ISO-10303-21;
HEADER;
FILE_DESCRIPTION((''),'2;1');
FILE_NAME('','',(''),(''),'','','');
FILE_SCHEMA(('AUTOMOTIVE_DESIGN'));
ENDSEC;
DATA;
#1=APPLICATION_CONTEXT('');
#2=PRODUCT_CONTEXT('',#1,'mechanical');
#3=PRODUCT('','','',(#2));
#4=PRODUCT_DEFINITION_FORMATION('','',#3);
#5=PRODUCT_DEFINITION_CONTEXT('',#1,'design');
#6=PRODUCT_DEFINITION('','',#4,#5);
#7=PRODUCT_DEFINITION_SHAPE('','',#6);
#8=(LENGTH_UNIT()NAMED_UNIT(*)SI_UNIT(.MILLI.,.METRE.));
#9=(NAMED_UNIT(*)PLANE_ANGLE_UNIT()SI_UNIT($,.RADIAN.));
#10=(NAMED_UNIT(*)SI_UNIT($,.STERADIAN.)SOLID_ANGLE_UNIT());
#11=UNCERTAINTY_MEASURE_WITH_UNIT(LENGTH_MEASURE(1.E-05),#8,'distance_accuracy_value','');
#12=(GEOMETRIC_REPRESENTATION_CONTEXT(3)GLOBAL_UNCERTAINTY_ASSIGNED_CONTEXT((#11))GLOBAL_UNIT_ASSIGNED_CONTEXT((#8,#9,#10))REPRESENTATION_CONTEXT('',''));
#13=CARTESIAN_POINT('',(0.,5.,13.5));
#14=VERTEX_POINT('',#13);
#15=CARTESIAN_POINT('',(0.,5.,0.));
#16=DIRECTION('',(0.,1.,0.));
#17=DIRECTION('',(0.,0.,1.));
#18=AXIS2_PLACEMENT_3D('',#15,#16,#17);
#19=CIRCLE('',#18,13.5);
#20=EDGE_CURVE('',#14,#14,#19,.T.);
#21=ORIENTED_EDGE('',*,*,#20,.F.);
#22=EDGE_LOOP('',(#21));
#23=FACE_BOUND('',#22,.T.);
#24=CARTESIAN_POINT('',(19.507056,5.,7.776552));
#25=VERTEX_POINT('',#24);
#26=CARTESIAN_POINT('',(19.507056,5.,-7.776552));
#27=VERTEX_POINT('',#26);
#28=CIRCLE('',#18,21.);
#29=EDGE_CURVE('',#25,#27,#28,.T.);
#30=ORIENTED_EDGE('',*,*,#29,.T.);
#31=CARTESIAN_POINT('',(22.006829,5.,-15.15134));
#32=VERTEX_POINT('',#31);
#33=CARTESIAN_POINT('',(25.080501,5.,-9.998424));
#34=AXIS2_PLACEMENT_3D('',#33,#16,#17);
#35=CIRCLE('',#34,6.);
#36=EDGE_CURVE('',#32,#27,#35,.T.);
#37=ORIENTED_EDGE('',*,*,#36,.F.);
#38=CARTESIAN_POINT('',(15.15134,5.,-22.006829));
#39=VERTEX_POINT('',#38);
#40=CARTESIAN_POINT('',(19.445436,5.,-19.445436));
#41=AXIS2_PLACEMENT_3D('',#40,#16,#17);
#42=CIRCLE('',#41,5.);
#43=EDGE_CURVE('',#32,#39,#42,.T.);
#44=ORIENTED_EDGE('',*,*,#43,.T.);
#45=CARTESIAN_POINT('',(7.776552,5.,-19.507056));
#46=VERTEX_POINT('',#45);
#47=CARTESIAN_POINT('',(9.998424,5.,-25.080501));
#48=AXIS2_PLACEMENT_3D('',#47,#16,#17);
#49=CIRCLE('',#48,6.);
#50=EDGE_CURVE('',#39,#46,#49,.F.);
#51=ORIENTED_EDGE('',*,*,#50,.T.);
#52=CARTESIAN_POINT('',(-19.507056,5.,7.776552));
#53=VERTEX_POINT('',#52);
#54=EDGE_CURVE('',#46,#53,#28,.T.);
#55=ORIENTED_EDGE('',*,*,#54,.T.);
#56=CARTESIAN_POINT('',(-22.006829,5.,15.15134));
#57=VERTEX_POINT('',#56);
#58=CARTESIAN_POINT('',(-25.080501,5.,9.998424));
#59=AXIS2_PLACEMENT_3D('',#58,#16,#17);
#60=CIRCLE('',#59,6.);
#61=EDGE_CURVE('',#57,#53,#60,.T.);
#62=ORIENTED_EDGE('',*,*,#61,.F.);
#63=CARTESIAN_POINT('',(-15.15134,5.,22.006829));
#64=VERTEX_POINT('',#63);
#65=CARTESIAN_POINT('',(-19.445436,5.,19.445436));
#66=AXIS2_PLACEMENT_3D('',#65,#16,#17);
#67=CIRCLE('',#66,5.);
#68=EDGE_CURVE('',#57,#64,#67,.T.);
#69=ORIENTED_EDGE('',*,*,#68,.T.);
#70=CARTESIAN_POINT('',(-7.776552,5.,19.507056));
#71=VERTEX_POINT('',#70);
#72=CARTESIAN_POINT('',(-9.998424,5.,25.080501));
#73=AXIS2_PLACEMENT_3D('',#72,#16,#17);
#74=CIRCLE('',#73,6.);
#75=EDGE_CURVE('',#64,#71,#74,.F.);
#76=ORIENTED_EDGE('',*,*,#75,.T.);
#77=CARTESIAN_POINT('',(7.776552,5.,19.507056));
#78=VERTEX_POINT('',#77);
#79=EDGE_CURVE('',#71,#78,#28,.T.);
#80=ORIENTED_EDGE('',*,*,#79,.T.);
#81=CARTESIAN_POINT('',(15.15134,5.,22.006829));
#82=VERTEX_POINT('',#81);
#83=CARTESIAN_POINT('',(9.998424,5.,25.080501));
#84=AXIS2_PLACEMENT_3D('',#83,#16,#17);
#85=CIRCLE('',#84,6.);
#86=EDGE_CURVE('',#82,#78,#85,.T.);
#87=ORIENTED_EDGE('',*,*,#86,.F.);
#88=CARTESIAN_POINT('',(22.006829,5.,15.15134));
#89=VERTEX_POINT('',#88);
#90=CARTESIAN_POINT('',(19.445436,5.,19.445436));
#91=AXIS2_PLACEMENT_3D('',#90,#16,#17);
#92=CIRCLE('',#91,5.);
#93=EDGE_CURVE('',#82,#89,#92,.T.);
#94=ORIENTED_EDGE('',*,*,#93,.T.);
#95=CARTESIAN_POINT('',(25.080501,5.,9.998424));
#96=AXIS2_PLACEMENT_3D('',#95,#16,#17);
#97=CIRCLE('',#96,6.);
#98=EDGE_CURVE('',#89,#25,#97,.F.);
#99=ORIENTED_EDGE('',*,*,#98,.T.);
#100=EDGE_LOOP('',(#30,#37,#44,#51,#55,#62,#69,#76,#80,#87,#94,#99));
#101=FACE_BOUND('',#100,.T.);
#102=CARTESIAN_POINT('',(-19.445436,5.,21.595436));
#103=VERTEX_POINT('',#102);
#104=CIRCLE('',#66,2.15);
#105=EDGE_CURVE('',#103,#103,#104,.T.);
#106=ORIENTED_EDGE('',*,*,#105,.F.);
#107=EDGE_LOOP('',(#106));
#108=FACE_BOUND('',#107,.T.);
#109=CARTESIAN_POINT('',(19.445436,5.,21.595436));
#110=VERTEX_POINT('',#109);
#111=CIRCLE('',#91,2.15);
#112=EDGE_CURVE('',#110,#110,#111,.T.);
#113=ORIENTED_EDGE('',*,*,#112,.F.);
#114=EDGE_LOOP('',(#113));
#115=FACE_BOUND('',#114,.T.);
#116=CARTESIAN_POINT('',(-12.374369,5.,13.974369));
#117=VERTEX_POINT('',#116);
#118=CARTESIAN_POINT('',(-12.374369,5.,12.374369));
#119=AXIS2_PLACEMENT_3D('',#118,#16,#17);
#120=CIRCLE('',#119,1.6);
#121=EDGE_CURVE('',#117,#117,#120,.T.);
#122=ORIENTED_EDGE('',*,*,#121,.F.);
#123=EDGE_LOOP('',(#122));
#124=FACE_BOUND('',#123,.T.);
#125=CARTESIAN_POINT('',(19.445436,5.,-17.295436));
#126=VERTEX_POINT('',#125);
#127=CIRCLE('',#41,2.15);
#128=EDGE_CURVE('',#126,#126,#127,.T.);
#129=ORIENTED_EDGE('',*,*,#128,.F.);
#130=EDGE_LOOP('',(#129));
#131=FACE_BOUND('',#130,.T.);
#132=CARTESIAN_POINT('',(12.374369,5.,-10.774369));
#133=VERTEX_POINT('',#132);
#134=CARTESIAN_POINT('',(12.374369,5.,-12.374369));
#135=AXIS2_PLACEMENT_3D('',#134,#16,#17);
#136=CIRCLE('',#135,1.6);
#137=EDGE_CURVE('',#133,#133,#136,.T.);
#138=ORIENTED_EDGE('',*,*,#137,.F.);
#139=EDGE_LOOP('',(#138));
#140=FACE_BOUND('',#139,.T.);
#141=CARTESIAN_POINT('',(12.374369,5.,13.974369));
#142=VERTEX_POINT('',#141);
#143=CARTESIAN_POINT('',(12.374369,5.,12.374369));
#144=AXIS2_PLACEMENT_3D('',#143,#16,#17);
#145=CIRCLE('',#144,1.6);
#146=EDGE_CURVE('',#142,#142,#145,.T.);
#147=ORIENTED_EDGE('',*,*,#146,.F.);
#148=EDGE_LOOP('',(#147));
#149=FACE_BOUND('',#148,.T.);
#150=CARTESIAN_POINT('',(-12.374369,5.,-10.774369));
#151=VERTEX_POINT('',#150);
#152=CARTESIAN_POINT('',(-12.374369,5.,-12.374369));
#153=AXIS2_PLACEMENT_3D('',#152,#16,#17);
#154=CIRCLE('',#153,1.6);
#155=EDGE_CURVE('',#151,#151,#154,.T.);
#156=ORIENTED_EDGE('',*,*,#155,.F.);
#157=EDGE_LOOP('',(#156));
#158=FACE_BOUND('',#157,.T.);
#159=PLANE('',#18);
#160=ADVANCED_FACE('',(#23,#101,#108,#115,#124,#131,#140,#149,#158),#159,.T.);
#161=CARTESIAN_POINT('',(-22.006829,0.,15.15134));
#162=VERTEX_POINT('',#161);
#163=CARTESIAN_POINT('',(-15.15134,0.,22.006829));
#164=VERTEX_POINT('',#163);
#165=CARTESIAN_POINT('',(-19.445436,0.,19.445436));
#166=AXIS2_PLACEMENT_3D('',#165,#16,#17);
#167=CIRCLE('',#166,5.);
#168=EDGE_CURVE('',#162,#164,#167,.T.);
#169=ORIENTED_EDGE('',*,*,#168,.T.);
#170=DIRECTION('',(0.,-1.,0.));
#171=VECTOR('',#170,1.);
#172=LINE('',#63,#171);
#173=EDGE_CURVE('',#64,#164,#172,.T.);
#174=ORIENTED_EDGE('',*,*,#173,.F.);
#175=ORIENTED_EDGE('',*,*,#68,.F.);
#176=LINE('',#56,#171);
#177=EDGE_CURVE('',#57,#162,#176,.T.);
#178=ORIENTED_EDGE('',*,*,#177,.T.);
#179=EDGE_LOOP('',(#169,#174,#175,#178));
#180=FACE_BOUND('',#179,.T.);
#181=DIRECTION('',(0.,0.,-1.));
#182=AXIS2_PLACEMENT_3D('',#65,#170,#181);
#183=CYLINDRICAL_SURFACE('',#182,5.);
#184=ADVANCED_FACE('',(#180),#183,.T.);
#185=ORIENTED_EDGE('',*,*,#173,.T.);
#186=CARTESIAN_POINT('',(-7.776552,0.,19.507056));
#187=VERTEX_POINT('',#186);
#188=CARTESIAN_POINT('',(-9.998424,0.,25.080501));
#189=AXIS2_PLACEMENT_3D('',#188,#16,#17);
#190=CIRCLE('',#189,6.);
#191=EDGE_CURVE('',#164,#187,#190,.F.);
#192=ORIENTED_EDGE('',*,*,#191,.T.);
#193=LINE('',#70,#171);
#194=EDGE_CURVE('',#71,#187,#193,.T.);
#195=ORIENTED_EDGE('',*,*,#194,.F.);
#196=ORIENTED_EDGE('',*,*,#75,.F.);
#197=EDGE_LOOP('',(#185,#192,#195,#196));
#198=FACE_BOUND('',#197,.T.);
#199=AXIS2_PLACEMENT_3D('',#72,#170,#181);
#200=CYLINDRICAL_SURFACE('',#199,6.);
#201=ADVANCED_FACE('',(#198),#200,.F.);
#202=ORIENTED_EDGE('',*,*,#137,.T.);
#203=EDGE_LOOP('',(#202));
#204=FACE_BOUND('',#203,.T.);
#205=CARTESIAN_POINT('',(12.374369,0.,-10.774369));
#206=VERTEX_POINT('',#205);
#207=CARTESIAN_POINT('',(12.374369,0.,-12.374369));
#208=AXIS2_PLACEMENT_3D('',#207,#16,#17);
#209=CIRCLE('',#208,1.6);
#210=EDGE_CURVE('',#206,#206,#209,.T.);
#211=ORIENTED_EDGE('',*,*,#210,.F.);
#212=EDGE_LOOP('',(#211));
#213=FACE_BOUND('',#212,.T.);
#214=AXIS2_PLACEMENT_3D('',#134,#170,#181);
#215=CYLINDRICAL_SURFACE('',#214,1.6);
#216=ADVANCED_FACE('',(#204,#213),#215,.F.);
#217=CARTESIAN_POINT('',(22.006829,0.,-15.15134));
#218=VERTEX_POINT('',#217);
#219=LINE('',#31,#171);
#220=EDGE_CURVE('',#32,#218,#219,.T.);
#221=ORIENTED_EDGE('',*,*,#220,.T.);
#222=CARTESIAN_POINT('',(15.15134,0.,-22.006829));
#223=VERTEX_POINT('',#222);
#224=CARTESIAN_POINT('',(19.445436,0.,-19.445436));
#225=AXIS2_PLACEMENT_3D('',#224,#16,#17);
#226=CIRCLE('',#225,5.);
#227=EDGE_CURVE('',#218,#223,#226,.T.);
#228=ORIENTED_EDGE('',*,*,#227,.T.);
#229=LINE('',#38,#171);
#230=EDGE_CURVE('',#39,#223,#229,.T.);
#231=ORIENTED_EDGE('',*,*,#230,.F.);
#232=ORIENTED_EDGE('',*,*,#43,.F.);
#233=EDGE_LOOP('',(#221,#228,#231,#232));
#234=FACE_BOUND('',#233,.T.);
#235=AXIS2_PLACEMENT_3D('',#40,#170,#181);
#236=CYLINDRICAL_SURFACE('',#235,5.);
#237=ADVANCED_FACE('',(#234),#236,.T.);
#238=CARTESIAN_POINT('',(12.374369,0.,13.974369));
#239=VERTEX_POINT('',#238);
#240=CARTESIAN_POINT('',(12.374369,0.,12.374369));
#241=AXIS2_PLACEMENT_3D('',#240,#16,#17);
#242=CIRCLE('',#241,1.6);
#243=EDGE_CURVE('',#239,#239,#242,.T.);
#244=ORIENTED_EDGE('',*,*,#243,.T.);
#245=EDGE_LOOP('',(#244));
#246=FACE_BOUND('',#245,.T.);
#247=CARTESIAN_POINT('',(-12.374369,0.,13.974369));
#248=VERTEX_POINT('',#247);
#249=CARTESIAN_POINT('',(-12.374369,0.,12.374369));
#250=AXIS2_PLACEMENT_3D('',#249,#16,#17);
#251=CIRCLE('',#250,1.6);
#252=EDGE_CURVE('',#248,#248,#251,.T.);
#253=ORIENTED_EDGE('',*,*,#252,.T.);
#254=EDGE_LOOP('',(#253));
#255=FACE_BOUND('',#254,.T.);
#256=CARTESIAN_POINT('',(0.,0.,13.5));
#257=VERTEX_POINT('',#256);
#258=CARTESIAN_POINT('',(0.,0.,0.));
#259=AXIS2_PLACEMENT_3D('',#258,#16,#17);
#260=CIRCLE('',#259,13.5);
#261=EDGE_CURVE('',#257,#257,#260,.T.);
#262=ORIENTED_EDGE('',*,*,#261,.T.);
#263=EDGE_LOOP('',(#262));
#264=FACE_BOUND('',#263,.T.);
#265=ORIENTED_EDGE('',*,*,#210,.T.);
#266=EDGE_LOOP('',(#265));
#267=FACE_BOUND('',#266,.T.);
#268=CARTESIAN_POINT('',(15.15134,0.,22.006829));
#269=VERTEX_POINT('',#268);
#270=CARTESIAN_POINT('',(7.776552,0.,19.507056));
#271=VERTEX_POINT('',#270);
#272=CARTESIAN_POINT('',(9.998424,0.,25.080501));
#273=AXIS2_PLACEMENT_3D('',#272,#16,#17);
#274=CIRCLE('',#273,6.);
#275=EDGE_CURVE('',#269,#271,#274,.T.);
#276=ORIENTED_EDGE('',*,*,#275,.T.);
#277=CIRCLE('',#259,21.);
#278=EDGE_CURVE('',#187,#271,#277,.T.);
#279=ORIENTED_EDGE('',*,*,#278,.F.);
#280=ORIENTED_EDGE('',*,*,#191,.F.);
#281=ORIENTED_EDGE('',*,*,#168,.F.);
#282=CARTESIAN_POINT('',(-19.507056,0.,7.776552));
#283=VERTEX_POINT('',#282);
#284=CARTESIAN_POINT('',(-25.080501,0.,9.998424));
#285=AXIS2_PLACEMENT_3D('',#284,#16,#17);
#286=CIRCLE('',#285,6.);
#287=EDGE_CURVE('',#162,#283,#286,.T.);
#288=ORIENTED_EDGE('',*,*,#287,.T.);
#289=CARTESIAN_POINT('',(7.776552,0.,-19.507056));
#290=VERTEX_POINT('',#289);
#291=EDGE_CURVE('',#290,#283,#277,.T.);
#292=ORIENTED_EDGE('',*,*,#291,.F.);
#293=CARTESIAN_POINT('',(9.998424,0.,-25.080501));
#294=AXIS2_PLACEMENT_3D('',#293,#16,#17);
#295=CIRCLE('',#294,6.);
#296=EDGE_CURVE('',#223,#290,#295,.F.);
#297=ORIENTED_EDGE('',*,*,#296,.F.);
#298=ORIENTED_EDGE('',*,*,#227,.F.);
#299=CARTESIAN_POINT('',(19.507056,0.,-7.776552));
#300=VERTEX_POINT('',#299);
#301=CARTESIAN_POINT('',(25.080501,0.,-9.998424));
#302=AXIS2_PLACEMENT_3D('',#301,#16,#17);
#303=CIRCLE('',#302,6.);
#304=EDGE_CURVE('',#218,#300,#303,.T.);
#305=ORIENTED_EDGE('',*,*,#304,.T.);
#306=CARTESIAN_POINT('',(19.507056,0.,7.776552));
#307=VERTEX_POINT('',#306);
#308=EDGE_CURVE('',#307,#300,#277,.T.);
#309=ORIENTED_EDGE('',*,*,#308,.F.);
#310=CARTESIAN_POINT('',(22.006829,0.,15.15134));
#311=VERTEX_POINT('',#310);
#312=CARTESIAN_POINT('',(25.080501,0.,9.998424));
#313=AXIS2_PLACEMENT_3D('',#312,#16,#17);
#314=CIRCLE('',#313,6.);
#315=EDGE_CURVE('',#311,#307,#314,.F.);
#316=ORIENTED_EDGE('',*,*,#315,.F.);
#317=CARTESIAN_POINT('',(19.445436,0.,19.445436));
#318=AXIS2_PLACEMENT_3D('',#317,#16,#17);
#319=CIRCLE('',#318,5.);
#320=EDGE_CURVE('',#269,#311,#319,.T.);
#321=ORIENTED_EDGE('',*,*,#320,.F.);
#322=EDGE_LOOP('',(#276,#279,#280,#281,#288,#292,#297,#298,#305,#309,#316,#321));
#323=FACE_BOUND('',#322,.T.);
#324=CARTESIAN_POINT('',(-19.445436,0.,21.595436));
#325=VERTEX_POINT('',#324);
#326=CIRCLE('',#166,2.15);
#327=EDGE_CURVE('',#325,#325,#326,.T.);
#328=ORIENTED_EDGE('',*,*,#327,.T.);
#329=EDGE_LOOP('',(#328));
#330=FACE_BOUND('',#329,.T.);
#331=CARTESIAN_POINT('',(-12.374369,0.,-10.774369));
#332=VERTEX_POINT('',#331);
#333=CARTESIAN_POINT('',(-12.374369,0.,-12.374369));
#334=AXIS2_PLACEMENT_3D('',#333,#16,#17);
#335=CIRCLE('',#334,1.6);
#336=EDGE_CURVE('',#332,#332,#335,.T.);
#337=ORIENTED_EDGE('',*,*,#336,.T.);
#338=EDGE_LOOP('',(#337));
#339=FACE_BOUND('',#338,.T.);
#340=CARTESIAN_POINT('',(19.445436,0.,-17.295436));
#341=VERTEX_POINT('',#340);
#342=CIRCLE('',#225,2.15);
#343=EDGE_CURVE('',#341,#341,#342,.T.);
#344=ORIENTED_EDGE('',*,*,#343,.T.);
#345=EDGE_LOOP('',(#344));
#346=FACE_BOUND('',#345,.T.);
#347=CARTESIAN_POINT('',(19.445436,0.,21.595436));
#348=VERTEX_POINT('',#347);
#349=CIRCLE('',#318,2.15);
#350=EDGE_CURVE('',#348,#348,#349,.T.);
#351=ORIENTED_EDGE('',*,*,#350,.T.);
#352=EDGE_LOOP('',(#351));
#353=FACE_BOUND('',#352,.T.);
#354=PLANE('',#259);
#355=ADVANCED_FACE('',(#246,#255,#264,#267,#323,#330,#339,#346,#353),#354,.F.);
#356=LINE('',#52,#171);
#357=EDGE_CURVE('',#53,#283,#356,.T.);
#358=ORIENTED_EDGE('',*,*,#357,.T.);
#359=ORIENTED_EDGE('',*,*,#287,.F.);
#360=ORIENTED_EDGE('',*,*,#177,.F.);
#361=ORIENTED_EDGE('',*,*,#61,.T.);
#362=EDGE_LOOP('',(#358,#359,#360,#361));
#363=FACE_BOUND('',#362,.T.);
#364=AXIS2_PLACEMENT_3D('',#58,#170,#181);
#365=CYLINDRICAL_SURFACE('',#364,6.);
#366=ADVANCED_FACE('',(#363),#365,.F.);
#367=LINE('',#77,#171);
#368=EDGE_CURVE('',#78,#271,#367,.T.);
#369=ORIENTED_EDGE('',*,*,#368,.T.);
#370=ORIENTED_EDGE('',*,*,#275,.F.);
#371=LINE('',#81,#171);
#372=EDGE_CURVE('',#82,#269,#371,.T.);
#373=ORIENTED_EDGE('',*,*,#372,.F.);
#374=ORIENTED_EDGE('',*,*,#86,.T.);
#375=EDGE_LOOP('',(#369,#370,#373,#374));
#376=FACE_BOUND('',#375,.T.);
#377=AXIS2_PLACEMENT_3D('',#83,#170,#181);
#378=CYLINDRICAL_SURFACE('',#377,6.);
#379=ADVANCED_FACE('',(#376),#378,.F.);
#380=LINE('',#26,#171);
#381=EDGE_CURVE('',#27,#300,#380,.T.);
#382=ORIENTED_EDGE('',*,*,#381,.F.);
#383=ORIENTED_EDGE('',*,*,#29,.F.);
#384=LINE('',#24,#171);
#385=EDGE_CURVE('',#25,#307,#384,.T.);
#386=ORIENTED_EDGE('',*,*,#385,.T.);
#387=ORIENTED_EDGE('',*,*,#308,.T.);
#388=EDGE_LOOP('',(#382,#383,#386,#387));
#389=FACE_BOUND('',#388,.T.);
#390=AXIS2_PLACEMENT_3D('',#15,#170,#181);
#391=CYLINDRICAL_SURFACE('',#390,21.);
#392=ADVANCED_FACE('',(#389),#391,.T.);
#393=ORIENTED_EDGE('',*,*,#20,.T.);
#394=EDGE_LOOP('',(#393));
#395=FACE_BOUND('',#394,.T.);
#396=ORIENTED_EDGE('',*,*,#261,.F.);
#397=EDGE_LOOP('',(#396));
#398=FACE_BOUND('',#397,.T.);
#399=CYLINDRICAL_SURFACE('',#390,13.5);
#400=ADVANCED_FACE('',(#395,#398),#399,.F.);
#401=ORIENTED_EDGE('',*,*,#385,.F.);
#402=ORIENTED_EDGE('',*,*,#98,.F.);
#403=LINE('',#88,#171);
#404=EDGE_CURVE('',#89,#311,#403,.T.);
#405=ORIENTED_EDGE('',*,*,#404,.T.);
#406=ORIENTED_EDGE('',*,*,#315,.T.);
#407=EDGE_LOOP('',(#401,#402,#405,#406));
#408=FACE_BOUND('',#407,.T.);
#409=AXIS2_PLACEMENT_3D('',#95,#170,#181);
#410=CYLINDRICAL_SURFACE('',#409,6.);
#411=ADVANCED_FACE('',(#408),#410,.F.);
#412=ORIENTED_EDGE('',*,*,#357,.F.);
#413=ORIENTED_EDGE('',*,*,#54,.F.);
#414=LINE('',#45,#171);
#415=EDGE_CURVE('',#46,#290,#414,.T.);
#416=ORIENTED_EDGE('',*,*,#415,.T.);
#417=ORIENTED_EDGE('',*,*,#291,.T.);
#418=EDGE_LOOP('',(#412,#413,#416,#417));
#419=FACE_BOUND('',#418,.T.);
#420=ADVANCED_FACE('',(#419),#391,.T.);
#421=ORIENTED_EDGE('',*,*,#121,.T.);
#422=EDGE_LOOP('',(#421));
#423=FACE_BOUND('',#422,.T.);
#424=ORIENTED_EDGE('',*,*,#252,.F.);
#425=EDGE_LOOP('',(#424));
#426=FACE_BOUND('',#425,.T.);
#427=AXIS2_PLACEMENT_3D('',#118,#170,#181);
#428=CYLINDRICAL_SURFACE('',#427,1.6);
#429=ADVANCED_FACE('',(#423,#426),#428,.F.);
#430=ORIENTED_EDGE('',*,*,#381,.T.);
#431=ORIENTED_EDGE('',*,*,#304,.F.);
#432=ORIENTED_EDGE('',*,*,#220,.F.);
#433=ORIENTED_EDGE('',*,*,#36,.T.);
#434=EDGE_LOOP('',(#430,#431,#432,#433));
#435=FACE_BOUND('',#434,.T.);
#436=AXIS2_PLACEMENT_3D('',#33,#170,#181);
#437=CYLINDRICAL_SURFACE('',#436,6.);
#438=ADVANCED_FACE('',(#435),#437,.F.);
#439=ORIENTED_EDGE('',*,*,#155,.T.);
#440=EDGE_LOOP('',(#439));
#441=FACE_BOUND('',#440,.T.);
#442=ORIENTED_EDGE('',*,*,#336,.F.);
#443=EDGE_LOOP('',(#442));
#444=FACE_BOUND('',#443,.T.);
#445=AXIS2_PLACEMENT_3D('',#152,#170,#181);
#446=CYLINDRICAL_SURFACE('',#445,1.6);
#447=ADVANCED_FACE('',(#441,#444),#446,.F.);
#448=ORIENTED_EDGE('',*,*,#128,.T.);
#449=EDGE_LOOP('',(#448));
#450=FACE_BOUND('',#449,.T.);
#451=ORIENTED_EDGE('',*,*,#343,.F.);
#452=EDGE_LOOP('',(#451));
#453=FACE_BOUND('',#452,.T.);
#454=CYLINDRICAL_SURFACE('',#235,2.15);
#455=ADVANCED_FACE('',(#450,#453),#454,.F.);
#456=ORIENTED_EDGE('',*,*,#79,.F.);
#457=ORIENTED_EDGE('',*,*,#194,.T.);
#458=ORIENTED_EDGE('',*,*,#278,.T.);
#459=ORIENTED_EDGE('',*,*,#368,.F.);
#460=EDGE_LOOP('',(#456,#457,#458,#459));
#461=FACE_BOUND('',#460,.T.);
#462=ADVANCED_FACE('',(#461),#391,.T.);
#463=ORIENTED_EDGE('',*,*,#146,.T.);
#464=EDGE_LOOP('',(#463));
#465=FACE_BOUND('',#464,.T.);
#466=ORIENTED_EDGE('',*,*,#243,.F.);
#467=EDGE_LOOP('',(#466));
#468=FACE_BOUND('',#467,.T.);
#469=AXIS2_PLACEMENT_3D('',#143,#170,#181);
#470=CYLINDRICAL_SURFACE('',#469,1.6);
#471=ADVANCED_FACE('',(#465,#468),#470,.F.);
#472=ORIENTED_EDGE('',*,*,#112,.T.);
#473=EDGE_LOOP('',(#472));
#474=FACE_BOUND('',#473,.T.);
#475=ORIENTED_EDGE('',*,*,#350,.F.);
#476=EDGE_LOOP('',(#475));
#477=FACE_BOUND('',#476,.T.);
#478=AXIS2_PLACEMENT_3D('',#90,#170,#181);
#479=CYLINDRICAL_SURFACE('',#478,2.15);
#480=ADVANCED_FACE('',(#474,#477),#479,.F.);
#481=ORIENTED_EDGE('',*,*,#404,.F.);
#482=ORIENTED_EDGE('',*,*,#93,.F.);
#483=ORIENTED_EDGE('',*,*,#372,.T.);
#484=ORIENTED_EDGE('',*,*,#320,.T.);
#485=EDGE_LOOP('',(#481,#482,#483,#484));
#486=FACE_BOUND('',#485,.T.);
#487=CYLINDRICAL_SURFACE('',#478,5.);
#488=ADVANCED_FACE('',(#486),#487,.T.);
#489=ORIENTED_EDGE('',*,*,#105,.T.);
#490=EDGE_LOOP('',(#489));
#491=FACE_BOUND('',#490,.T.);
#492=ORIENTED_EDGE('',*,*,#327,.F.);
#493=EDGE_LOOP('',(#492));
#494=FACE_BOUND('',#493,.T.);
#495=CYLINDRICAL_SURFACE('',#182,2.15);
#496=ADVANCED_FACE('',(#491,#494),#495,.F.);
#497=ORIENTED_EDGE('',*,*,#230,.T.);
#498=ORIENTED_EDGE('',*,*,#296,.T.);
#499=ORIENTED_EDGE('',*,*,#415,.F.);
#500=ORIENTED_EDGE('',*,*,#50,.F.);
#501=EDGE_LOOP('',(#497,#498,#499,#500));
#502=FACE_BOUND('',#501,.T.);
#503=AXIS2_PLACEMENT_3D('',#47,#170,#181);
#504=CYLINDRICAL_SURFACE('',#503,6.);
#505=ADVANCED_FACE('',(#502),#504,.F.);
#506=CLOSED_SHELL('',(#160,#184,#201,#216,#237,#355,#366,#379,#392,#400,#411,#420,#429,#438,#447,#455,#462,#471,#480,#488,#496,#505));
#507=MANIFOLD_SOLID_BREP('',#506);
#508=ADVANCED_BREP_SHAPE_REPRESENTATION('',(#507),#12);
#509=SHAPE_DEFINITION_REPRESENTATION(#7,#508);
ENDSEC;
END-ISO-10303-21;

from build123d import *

# Parameters (mm, degrees)
SKETCH_1_R      = 13.5
SKETCH_1_R_2    = 1.6
SKETCH_1_R_3    = 2.15
EXTRUDE_1_DEPTH = 5


with BuildPart() as part:
    # ｽｹｯﾁ1 → ﾎﾞｽ - 押し出し1 (new body)
    with BuildSketch(Plane(origin=(0, 0, 0), x_dir=(1, 0, 0), z_dir=(0, 1, 0))):
        with BuildLine():
            ThreePointArc((15.151339784, 22.006829374), (11.924552334, 19.398069264), (7.776551803, 19.507056212))
            ThreePointArc((7.776551803, 19.507056212), (-14.849242405, 14.849242405), (-19.507056212, -7.776551803))
            ThreePointArc((-19.507056212, -7.776551803), (-19.398069264, -11.924552334), (-22.006829374, -15.151339784))
            ThreePointArc((-22.006829374, -15.151339784), (-22.980970389, -22.980970389), (-15.151339784, -22.006829374))
            ThreePointArc((-15.151339784, -22.006829374), (-11.924552334, -19.398069264), (-7.776551803, -19.507056212))
            ThreePointArc((-7.776551803, -19.507056212), (0, -21), (7.776551803, -19.507056212))
            ThreePointArc((7.776551803, -19.507056212), (11.924552334, -19.398069264), (15.151339784, -22.006829374))
            ThreePointArc((15.151339784, -22.006829374), (22.980970389, -22.980970389), (22.006829374, -15.151339784))
            ThreePointArc((22.006829374, -15.151339784), (19.398069264, -11.924552334), (19.507056212, -7.776551803))
            ThreePointArc((19.507056212, -7.776551803), (21, 0), (19.507056212, 7.776551803))
            ThreePointArc((19.507056212, 7.776551803), (19.398069264, 11.924552334), (22.006829374, 15.151339784))
            ThreePointArc((22.006829374, 15.151339784), (22.980970389, 22.980970389), (15.151339784, 22.006829374))
        make_face()
        with Locations(Location((0, 0, 0), (0, 0, 270))):
            Circle(SKETCH_1_R, mode=Mode.SUBTRACT)
        with Locations(Location((12.374368671, 12.374368671, 0), (0, 0, 270))):
            Circle(SKETCH_1_R_2, mode=Mode.SUBTRACT)
        with Locations(Location((12.374368671, -12.374368671, 0), (0, 0, 270))):
            Circle(SKETCH_1_R_2, mode=Mode.SUBTRACT)
        with Locations(Location((-12.374368671, -12.374368671, 0), (0, 0, 270))):
            Circle(SKETCH_1_R_2, mode=Mode.SUBTRACT)
        with Locations(Location((-12.374368671, 12.374368671, 0), (0, 0, 270))):
            Circle(SKETCH_1_R_2, mode=Mode.SUBTRACT)
        with Locations(Location((19.445436483, 19.445436483, 0), (0, 0, 270))):
            Circle(SKETCH_1_R_3, mode=Mode.SUBTRACT)
        with Locations(Location((19.445436483, -19.445436483, 0), (0, 0, 270))):
            Circle(SKETCH_1_R_3, mode=Mode.SUBTRACT)
        with Locations(Location((-19.445436483, -19.445436483, 0), (0, 0, 270))):
            Circle(SKETCH_1_R_3, mode=Mode.SUBTRACT)
    extrude(amount=EXTRUDE_1_DEPTH)


solid = part.part
